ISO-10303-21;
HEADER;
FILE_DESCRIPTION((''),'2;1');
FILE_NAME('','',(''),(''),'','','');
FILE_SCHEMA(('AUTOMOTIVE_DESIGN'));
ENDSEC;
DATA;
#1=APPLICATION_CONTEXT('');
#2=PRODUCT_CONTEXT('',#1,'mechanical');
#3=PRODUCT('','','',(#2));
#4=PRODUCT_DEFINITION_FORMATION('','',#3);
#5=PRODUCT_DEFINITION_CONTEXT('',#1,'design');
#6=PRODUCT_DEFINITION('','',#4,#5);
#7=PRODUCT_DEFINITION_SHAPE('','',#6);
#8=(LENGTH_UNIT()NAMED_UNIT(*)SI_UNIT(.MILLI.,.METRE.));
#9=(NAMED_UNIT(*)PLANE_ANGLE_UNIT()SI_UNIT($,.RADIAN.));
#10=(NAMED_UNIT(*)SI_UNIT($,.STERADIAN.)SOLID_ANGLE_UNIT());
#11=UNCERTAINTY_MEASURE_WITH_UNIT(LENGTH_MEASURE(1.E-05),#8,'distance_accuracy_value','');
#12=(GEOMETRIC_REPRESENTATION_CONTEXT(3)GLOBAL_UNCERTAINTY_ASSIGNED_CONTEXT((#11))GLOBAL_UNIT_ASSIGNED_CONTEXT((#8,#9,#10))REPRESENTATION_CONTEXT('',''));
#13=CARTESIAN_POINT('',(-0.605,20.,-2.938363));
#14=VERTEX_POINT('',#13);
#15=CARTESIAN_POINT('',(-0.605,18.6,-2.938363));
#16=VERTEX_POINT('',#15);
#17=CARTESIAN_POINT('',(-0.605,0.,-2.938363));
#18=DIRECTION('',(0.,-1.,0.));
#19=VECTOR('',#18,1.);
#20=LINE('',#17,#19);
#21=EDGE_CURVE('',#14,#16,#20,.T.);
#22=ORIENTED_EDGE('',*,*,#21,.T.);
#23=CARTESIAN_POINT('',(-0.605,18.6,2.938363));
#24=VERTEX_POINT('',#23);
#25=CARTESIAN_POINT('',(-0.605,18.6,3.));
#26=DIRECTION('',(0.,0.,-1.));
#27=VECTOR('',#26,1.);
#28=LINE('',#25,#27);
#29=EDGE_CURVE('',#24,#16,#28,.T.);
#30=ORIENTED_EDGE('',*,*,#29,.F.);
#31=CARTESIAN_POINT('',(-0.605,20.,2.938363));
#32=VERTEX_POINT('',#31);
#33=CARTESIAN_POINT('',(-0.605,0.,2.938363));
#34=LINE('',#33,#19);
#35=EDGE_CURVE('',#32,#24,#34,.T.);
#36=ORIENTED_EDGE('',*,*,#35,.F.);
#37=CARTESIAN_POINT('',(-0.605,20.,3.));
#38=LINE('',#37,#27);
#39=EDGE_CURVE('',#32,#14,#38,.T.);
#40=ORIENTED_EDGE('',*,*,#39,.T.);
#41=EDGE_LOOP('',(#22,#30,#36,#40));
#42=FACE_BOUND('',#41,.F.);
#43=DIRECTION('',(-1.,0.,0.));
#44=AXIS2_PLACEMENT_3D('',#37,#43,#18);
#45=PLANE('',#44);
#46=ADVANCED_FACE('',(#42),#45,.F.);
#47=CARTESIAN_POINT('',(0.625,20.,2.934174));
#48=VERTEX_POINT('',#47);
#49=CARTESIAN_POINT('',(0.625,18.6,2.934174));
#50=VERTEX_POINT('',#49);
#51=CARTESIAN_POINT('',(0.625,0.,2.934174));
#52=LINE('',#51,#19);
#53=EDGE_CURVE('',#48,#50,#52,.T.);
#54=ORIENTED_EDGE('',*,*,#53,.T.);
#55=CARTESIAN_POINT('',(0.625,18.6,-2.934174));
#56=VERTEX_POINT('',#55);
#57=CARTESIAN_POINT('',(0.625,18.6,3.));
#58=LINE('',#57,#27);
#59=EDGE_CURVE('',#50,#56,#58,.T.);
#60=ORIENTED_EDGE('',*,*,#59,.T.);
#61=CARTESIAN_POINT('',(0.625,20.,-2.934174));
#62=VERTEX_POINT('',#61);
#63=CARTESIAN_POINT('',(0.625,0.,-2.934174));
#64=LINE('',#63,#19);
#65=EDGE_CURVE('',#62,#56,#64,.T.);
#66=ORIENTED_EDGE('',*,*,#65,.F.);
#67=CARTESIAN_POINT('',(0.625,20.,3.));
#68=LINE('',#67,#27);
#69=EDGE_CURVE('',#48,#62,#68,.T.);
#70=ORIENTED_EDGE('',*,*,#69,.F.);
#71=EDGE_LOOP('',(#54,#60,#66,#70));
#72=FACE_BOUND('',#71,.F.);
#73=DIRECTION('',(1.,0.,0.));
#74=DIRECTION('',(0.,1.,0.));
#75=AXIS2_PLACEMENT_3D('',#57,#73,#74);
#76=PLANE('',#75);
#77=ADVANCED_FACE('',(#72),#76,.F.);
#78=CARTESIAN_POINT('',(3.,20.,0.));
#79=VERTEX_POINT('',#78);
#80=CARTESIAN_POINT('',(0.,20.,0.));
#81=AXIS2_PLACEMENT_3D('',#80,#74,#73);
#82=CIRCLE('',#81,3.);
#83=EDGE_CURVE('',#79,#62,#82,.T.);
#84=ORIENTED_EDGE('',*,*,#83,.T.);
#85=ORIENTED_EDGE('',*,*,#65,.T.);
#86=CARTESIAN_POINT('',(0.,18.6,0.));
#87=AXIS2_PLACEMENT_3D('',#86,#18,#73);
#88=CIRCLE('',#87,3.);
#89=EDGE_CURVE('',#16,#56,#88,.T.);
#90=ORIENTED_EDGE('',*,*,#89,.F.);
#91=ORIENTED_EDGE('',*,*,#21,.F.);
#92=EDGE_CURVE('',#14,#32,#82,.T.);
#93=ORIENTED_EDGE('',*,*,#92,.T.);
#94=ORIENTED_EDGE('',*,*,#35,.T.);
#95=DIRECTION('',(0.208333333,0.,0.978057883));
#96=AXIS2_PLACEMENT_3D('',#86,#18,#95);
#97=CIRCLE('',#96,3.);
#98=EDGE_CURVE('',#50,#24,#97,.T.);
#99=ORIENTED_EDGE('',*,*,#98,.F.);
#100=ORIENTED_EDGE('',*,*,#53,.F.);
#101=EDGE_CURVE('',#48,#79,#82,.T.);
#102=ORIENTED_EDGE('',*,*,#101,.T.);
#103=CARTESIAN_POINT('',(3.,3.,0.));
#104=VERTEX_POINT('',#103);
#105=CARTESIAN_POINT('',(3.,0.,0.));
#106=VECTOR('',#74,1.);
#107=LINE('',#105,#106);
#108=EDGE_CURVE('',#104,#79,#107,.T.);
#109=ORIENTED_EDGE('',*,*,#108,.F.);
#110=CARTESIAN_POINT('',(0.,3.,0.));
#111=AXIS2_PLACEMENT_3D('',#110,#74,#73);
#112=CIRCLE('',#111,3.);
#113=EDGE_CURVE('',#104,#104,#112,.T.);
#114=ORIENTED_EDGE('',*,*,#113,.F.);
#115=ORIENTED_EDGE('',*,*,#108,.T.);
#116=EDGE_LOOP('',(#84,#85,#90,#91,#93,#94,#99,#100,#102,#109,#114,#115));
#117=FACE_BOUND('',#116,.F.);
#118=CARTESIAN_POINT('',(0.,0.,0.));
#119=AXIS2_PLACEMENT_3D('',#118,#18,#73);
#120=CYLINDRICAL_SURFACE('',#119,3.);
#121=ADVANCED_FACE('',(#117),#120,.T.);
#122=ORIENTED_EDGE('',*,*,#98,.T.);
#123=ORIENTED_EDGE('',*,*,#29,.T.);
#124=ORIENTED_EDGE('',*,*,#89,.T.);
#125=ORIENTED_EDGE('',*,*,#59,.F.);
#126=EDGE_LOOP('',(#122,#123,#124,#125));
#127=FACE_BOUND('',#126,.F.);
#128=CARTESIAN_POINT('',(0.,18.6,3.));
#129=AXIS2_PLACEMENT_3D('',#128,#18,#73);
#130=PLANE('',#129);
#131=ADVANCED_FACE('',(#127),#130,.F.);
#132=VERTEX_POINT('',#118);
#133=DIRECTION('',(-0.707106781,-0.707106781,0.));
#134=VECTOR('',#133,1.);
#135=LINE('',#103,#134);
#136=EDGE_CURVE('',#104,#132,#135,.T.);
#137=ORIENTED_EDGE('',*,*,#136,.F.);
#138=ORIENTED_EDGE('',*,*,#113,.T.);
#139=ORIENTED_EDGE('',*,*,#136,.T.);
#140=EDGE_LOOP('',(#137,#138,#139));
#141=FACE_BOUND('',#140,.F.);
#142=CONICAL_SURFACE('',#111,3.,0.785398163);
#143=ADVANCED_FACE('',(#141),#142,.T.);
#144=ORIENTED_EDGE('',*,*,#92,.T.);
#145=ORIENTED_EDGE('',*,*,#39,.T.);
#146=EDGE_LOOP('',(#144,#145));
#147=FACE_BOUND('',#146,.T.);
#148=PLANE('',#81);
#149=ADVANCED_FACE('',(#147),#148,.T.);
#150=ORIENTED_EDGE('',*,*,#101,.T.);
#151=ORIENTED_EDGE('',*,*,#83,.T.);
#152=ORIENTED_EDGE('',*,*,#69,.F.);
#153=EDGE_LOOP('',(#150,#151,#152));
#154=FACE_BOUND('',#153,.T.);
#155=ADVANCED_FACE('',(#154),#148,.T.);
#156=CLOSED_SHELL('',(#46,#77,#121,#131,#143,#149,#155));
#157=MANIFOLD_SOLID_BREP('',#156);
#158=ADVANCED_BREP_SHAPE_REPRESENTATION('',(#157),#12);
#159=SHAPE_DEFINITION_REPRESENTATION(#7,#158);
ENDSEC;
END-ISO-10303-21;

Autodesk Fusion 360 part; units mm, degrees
sketch "Sketch1" plane through (0, 0, 0) normal (0, 1, 0) x (1, 0, 0)
  circle A0 centre (0, 0) radius 3
  dimension "d1" = 6
extrude "Extrude1" add sketch "Sketch1" along normal blind 20
chamfer "Chamfer1" distance 3 angle 45 1 edges at (-2.797, 0, 1.0848)
ref_plane "WorkPlane1" through (0, 0, 3) normal (0, 0, 1) x (1, 0, 0)
sketch "Sketch2" plane through (0, 0, 3) normal (0, 0, 1) x (1, 0, 0)
  line L0 (3, 20) -> (-3, 20)
  line L1 (0, 20) -> (0, 18.6)
  line L2 (0, 18.6) -> (0.625, 18.6)
  line L3 (0.625, 18.6) -> (0.625, 20)
  line L4 (0.625, 20) -> (-0.605, 20)
  line L5 (-0.605, 20) -> (-0.605, 18.6)
  line L6 (-0.605, 18.6) -> (0.625, 18.6)
  dimension "d6" = 1.4
  dimension "d7" = 0.625
  dimension "d8" = 1.23
  dimension "d9" = 1.4
extrude "Extrude2" cut sketch "Sketch2" against normal blind 7
